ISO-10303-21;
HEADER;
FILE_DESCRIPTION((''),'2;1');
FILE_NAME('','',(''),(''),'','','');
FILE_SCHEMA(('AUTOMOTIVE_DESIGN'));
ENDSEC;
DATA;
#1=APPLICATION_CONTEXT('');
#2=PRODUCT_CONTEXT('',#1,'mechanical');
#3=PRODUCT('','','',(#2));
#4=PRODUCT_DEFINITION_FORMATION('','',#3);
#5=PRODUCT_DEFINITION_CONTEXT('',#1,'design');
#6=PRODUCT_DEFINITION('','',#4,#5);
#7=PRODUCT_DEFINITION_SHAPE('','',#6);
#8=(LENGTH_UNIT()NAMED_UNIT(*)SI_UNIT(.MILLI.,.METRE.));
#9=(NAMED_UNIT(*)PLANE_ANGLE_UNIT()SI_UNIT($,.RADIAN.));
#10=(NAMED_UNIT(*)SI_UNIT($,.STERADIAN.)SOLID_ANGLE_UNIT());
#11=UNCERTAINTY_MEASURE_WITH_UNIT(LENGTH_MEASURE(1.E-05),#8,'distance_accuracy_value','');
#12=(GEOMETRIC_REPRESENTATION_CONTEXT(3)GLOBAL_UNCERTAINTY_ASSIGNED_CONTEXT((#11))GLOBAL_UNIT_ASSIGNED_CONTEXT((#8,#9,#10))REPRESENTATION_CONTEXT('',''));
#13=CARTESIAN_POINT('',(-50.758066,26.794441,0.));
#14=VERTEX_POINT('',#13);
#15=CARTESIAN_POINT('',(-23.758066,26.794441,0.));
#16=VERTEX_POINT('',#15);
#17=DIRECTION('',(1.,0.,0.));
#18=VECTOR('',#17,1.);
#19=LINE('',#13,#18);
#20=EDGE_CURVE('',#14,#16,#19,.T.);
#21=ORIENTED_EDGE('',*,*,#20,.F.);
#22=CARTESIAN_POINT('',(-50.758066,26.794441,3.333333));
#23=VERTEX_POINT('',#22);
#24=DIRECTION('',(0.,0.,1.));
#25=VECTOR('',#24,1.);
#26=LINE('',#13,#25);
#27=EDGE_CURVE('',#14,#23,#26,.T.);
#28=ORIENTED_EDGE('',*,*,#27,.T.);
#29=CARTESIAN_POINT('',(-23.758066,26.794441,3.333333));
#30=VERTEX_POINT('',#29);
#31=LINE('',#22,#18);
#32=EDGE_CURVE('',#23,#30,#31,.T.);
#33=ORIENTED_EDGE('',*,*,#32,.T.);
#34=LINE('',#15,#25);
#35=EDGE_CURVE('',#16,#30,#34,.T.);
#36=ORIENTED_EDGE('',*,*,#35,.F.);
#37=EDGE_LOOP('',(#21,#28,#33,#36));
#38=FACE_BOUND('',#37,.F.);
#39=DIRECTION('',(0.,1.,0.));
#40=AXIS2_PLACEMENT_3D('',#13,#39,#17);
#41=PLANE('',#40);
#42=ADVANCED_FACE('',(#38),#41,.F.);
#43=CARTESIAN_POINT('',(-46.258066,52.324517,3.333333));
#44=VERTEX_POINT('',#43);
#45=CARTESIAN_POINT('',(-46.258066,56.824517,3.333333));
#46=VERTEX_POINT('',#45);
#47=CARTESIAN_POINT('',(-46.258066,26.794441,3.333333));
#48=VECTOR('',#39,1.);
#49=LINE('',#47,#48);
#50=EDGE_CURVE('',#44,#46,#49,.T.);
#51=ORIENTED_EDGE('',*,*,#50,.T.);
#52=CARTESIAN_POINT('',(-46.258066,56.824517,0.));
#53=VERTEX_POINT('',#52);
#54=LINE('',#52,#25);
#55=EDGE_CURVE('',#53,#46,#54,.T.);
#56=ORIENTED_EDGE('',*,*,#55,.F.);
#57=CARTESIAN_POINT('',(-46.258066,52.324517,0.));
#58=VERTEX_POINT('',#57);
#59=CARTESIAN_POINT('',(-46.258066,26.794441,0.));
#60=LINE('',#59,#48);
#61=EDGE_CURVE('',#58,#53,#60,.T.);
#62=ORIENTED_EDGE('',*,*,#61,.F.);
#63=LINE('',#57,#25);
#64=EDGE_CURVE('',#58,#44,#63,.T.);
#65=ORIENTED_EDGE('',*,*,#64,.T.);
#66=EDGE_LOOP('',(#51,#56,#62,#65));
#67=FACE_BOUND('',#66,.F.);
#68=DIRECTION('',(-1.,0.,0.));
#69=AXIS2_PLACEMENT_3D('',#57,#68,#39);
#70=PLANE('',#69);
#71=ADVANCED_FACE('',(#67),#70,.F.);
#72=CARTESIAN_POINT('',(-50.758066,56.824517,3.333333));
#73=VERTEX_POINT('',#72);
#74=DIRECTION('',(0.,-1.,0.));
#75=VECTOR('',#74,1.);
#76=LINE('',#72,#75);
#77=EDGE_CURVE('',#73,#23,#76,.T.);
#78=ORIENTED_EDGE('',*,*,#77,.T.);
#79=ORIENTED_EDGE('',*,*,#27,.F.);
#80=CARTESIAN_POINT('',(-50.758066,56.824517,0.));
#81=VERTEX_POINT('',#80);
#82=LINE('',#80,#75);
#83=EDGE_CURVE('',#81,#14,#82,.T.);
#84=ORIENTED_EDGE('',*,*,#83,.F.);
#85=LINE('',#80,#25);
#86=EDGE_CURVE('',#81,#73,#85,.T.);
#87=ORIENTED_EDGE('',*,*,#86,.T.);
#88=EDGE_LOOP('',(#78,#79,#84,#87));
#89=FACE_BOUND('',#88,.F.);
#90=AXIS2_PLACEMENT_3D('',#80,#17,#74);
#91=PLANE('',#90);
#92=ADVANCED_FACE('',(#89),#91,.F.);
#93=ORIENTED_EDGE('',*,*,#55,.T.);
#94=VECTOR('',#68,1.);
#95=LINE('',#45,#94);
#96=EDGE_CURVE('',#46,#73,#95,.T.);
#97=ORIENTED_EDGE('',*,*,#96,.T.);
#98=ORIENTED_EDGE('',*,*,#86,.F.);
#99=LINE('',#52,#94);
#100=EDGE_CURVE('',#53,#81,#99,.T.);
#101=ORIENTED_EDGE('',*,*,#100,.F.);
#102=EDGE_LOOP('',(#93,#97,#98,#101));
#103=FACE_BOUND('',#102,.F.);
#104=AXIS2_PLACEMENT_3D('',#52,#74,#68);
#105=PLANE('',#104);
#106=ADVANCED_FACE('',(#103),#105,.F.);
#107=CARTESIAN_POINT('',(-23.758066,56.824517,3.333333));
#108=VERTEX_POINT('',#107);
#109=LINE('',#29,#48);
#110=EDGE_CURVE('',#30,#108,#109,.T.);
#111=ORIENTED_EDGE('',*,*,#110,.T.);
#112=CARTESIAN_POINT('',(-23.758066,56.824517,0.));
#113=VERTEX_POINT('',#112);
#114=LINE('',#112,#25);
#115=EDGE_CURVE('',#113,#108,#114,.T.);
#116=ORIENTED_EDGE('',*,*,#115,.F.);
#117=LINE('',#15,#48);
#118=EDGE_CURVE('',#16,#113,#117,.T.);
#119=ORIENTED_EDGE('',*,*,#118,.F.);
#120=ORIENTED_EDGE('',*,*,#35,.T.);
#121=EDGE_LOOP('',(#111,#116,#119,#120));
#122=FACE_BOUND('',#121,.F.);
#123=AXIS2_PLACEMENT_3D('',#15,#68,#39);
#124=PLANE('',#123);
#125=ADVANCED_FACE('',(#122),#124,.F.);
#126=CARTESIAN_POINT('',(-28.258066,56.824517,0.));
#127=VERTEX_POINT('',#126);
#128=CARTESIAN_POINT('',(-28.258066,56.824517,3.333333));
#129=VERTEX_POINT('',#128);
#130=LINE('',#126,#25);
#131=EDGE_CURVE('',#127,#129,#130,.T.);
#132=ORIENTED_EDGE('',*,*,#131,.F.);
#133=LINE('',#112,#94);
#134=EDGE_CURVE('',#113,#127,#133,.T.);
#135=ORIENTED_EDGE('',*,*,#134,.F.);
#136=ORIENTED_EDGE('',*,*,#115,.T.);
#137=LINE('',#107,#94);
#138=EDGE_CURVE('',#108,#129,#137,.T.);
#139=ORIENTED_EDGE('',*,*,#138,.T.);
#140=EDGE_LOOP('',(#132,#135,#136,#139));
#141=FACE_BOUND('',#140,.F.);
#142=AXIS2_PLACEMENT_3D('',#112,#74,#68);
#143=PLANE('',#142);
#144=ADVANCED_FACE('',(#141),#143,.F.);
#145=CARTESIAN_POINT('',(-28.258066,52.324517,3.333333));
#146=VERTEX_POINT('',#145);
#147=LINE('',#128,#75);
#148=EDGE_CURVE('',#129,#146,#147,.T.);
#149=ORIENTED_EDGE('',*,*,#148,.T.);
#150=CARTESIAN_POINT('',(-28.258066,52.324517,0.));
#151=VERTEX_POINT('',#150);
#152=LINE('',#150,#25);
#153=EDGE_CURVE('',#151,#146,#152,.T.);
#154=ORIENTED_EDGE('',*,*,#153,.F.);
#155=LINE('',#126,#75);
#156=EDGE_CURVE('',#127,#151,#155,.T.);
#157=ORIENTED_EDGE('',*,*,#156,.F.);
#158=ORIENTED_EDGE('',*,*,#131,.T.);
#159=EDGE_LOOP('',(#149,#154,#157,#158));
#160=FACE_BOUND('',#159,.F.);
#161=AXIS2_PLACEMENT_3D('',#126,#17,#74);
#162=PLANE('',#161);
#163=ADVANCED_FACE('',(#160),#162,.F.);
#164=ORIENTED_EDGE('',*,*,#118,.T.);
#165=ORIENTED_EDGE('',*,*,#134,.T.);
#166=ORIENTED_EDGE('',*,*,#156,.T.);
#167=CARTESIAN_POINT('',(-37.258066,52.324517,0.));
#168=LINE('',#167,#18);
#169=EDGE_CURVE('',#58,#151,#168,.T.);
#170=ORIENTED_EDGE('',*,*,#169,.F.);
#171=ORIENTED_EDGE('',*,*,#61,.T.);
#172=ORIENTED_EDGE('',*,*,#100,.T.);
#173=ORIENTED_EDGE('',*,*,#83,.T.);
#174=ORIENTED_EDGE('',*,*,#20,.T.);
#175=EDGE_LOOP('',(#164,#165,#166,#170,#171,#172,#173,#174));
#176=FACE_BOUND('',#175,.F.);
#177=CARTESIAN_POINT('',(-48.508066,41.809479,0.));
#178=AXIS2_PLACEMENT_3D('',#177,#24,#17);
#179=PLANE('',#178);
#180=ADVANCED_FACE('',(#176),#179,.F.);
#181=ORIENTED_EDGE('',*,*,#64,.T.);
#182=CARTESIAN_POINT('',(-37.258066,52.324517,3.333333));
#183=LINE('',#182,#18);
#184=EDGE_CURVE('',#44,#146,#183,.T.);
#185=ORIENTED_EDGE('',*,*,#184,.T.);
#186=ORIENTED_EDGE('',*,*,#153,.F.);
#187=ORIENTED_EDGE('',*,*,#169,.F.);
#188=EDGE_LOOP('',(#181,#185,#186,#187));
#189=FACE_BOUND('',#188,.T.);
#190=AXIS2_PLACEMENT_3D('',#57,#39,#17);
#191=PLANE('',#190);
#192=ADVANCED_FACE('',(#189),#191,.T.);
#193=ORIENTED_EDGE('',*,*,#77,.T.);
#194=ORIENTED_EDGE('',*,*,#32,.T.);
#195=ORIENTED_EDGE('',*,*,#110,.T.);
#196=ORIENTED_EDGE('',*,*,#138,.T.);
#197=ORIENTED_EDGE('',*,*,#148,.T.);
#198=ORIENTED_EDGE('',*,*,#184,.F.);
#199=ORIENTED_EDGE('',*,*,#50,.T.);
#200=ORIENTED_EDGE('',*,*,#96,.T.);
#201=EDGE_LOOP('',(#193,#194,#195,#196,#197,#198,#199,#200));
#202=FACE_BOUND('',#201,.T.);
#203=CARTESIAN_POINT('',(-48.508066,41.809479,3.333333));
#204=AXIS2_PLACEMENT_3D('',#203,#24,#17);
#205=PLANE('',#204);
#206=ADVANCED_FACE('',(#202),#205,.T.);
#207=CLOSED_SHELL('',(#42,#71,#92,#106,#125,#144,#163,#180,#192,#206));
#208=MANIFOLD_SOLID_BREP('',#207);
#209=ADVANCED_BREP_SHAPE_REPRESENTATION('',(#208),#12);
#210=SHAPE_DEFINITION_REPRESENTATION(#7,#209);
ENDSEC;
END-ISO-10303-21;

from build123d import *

# Parameters (mm, degrees)
F0_W     = 18
F0_H     = 25.530076
F1_DEPTH = 3.333333


with BuildPart() as f1:
    # F0 (on Top) → F1 (new body)
    with BuildSketch(Plane.XY):
        Polygon((-46.258066, 26.794441), (-46.258066, 52.324517), (-46.258066, 56.824517), (-50.758066, 56.824517), (-50.758066, 26.794441), align=None)
        with Locations((-37.258066, 39.559479)):
            Rectangle(F0_W, F0_H)
        Polygon((-28.258066, 56.824517), (-28.258066, 52.324517), (-28.258066, 26.794441), (-23.758066, 26.794441), (-23.758066, 56.824517), align=None)
    extrude(amount=F1_DEPTH)


solid = f1.part
